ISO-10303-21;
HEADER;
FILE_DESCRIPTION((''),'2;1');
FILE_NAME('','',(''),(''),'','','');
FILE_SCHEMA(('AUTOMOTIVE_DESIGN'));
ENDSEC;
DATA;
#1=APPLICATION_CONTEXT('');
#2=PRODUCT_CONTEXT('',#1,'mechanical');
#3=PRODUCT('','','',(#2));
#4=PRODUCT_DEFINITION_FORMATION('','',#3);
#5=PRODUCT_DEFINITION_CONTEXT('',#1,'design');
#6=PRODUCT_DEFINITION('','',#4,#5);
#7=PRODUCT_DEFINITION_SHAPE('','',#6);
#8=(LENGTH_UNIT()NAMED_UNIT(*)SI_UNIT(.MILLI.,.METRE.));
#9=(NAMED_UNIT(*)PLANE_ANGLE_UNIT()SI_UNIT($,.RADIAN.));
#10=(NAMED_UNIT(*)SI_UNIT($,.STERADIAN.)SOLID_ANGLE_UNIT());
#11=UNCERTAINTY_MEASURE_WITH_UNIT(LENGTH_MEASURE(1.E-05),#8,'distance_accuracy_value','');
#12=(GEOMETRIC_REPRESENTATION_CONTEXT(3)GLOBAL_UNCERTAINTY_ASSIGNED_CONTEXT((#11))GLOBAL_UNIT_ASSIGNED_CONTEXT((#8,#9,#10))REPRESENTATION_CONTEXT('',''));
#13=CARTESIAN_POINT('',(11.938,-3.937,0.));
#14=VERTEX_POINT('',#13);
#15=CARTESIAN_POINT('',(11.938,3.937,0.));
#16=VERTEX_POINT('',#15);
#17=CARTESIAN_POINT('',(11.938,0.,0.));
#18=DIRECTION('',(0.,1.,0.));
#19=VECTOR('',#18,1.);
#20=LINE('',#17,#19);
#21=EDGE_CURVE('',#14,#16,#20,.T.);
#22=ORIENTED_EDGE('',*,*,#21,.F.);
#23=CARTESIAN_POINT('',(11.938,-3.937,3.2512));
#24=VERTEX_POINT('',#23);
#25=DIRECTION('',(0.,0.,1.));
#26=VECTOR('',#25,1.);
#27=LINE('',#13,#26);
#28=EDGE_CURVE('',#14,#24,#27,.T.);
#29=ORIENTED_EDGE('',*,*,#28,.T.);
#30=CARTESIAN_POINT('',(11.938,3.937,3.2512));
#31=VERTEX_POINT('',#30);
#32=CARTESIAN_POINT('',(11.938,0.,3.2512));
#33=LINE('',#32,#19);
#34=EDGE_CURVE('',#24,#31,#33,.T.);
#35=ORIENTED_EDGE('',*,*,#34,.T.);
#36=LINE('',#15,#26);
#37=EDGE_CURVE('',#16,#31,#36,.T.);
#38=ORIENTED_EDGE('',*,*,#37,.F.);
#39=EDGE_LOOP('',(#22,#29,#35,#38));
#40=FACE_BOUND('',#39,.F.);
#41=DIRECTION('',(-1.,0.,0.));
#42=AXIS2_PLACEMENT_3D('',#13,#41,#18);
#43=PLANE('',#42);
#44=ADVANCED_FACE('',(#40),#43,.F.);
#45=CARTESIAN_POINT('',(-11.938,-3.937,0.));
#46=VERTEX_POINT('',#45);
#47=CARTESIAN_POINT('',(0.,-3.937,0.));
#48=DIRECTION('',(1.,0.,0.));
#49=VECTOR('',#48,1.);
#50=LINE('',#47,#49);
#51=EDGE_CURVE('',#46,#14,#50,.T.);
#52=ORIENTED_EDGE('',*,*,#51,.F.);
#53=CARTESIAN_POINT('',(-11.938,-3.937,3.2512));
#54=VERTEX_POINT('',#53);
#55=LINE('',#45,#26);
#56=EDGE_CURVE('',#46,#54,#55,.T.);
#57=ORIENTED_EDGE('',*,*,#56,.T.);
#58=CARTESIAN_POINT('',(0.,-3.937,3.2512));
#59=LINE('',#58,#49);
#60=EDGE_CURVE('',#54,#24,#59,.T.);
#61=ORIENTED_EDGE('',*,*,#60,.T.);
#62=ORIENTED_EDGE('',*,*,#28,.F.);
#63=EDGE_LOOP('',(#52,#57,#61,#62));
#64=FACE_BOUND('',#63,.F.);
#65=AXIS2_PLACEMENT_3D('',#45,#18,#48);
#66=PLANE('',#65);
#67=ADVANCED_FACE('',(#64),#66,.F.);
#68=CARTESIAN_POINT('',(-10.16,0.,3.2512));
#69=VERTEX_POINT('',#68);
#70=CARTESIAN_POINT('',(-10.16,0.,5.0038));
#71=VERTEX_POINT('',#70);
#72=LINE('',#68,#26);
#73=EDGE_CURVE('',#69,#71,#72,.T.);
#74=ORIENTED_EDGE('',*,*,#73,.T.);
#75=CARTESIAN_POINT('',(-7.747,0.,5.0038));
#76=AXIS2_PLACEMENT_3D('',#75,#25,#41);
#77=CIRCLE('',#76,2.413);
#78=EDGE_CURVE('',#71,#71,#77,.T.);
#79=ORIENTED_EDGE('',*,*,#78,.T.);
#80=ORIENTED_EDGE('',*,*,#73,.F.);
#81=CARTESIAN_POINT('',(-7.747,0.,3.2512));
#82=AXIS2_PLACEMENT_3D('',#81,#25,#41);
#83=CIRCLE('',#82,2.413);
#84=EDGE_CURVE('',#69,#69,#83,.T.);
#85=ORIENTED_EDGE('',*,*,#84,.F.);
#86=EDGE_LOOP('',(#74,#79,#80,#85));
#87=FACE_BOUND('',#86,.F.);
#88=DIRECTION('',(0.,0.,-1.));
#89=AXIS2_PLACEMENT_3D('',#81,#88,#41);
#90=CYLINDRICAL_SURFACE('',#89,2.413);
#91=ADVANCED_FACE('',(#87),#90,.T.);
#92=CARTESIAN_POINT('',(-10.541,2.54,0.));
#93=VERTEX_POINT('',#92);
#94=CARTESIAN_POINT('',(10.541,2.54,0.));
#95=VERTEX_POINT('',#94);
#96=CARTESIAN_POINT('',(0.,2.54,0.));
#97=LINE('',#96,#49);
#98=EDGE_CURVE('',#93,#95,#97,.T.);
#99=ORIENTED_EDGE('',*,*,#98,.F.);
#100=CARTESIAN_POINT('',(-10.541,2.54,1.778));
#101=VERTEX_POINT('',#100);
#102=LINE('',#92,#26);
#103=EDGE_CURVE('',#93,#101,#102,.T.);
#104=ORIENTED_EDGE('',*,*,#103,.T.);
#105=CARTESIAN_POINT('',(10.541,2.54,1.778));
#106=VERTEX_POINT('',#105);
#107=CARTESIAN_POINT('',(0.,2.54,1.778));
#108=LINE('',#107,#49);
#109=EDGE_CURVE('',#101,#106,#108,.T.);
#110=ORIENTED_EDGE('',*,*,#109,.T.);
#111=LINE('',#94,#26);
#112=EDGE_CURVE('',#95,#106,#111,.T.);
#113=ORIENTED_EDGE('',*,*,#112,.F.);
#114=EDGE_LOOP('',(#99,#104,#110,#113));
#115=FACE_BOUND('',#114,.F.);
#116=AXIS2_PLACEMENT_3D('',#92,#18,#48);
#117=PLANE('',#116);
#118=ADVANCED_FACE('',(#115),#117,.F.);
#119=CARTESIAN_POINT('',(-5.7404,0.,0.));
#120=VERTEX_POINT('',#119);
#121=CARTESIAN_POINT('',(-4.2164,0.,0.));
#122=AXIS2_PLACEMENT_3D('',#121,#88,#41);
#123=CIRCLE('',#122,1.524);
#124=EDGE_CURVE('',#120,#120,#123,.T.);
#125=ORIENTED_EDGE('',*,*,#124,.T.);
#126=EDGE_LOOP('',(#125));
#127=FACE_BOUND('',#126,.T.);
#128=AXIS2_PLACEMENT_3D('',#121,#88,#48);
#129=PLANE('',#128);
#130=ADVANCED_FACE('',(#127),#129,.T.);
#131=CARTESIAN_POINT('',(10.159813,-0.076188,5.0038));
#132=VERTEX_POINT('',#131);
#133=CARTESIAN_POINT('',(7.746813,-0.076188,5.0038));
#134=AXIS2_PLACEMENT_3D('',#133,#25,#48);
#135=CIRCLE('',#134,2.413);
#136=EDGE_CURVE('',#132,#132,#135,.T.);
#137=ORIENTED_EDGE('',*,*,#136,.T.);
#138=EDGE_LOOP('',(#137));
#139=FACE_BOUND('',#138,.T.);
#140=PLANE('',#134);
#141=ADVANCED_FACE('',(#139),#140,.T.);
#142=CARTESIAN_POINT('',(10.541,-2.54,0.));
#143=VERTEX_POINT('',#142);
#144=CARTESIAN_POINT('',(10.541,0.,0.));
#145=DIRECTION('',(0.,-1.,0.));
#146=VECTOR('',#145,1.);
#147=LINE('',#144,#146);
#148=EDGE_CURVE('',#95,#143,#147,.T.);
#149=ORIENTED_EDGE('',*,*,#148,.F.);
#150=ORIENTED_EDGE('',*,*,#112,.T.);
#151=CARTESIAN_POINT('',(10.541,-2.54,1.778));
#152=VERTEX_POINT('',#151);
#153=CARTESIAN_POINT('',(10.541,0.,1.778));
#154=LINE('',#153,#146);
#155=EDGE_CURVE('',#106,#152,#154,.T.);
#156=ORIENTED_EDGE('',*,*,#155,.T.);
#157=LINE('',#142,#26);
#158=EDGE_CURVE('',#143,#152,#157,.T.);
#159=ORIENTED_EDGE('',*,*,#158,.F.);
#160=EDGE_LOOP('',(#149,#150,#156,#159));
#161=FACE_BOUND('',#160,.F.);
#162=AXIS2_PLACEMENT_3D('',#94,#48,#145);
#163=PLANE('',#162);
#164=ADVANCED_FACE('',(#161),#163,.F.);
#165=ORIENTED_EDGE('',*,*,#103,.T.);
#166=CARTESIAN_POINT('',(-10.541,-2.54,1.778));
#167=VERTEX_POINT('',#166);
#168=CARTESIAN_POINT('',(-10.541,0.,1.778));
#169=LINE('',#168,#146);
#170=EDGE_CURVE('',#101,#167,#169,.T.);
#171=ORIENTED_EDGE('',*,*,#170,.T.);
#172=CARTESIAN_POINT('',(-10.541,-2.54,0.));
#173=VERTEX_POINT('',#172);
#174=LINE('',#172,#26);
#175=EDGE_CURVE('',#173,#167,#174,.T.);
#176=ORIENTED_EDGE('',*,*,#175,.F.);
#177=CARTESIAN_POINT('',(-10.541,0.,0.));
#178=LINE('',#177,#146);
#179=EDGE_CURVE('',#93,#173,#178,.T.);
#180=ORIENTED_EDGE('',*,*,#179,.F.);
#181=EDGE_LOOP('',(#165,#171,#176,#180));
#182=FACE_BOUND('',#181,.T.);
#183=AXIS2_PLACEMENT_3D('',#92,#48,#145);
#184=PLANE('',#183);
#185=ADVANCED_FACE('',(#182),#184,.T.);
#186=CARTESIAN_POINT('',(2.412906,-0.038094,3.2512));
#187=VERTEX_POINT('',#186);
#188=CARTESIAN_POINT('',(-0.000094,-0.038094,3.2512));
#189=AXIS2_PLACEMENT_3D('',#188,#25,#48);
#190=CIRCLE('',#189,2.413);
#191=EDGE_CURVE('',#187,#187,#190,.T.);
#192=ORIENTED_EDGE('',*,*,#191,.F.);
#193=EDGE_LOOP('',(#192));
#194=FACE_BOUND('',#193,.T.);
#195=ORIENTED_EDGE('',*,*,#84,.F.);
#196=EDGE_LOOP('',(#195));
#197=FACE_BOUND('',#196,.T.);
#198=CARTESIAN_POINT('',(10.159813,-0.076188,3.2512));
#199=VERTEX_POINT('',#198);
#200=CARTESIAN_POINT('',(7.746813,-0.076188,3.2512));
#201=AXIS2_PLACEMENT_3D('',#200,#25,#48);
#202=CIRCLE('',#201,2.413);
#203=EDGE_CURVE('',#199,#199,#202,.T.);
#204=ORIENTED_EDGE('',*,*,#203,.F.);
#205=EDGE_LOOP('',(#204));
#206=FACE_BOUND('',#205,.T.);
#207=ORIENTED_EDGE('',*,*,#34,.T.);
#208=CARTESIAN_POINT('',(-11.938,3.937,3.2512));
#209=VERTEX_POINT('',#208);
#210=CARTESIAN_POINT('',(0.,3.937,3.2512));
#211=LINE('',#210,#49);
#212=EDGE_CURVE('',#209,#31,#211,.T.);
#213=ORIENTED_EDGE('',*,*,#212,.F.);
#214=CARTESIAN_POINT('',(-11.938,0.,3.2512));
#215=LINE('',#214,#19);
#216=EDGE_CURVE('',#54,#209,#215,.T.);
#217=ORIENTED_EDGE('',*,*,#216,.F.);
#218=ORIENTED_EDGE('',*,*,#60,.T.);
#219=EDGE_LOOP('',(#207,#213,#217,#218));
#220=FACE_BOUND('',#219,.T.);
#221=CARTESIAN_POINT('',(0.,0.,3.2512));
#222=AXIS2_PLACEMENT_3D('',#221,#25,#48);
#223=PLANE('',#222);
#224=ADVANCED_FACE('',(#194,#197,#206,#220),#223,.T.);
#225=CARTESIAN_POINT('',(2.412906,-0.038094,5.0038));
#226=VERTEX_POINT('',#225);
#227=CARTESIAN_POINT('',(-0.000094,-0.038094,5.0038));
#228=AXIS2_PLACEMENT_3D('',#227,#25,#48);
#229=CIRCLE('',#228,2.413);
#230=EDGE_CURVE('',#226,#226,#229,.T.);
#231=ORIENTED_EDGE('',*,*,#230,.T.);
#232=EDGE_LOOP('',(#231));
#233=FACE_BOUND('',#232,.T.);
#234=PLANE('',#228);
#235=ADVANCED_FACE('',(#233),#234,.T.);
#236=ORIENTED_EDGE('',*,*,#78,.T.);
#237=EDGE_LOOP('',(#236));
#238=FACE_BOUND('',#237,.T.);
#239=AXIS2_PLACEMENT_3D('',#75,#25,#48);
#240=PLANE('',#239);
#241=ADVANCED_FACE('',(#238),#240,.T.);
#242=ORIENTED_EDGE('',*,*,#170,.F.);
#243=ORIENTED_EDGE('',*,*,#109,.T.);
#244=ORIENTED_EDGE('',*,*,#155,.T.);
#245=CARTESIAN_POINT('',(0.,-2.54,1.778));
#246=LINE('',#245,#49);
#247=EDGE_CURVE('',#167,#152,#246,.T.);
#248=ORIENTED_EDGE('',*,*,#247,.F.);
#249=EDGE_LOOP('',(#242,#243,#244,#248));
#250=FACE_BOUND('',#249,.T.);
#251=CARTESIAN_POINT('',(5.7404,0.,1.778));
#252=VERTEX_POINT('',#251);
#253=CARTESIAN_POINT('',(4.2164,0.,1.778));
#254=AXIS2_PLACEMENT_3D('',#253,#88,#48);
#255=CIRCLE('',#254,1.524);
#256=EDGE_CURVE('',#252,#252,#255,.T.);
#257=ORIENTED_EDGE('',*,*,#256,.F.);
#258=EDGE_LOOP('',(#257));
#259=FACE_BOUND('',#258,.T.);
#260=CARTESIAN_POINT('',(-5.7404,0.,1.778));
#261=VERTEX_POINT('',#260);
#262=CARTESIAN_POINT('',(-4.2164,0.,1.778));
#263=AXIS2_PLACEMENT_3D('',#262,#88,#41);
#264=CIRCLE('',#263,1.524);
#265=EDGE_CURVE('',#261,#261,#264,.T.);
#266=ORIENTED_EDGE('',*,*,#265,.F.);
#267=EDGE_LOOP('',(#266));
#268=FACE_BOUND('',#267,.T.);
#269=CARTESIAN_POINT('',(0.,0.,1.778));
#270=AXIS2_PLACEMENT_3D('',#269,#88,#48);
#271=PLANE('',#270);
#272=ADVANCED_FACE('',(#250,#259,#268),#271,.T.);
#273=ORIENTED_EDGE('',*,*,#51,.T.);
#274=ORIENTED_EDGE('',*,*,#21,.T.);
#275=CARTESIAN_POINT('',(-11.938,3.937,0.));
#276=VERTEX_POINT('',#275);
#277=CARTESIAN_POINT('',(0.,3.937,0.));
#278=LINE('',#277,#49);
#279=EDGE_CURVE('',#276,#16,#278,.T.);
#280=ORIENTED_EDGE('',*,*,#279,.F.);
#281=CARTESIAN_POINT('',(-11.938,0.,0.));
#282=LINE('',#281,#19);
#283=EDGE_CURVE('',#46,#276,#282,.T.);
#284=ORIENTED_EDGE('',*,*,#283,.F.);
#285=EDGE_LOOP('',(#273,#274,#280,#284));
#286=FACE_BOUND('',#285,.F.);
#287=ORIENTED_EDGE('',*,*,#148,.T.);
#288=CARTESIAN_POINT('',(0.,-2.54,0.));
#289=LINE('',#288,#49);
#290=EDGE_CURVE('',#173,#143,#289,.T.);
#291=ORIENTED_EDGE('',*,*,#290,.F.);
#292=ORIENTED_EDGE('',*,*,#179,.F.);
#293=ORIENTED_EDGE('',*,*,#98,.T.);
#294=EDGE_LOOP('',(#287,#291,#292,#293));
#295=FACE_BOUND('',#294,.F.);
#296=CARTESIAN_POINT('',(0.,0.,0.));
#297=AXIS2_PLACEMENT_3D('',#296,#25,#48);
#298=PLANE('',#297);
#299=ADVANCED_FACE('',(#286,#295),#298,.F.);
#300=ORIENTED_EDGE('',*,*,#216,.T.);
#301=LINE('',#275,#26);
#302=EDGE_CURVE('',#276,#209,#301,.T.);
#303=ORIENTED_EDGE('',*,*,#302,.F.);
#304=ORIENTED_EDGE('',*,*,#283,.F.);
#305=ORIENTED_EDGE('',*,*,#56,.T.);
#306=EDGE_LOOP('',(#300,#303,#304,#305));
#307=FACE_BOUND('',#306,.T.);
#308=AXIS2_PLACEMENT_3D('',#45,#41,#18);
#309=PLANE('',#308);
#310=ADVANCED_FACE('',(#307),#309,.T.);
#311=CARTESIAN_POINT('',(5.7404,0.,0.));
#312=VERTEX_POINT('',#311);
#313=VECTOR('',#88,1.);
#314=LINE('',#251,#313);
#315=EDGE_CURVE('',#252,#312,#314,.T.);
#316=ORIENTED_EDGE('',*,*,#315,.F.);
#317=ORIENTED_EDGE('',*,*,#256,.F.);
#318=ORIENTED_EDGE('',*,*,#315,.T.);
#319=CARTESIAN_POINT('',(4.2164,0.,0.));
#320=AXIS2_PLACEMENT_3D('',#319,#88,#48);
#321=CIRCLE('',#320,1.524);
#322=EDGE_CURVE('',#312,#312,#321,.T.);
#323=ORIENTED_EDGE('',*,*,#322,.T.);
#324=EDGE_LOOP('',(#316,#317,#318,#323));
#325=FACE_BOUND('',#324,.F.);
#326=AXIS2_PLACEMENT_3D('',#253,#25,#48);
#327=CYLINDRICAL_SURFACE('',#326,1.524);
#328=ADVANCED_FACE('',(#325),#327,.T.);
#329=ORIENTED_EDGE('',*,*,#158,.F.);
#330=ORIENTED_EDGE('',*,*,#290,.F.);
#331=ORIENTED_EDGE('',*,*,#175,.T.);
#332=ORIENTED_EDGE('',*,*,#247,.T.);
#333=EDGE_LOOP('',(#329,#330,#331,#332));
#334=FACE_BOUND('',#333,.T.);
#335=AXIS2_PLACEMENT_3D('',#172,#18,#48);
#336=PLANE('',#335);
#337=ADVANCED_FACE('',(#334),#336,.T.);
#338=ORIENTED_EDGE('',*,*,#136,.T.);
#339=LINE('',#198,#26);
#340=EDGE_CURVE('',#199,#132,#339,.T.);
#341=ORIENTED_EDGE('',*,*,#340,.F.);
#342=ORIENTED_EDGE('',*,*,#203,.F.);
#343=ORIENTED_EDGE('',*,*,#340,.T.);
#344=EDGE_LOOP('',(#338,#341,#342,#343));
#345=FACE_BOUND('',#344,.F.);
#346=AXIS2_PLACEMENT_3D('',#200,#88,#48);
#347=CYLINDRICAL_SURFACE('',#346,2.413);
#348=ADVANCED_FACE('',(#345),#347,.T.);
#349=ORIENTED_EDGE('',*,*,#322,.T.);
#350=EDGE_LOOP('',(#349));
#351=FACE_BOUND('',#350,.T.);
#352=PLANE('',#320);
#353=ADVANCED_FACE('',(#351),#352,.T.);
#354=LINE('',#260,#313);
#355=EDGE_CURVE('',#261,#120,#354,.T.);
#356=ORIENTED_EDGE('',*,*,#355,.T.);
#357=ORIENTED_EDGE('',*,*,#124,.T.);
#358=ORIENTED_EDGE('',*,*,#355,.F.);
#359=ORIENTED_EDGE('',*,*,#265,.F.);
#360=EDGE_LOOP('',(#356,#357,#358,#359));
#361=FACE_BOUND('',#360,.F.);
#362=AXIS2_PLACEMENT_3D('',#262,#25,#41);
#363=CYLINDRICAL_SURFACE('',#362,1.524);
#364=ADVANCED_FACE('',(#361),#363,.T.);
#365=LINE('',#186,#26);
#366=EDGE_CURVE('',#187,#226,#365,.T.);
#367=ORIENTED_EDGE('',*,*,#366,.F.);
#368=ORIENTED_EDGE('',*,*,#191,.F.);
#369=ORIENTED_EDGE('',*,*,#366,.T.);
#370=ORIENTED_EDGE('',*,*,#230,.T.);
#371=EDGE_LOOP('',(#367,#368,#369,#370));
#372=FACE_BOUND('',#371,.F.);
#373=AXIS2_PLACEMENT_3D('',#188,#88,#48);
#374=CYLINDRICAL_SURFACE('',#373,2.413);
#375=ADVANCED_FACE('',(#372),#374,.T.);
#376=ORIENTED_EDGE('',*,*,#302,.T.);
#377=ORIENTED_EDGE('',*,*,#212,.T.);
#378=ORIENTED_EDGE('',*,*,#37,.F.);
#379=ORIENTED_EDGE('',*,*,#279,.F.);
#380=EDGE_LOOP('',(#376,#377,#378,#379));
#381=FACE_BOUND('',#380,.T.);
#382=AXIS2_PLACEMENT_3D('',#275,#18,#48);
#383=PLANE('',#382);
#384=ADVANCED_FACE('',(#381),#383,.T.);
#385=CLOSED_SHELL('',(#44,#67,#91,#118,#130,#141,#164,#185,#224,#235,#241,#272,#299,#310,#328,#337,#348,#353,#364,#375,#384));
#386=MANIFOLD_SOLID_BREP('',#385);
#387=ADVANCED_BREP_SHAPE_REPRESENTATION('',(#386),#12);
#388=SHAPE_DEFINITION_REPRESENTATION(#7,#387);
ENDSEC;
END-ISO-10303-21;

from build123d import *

# Parameters (mm, degrees)
F0_W     = 23.876
F0_H     = 7.874
F1_DEPTH = 3.2512
F2_W     = 21.082
F2_H     = 5.08
F3_DEPTH = 1.778
F4_R     = 2.413
F5_DEPTH = 1.7526
F6_R     = 1.524
F7_DEPTH = 1.778


with BuildPart() as f1:
    # F0 (on Top) → F1 (new body)
    with BuildSketch(Plane.XY):
        Rectangle(F0_W, F0_H)
    extrude(amount=F1_DEPTH)

    # F2 (on face) → F3 (cut)
    with BuildSketch(Plane(origin=(0, 0, 0), x_dir=(1, 0, 0), z_dir=(0, 0, -1))):
        Rectangle(F2_W, F2_H)
    extrude(amount=-F3_DEPTH, mode=Mode.SUBTRACT)

    # F4 (on face) → F5 (join)
    with BuildSketch(Plane.XY.offset(3.2512)):
        with BuildLine():
            ThreePointArc((-5.334, 0), (-7.747, 2.413), (-10.16, 0))
            ThreePointArc((-10.16, 0), (-7.747, -2.413), (-5.334, 0))
        make_face()
        with Locations((-9.4e-05, -0.038094)):
            Circle(F4_R)
        with Locations((7.746813, -0.076188)):
            Circle(F4_R)
    extrude(amount=F5_DEPTH)

    # F6 (on face) → F7 (join)
    with BuildSketch(Plane(origin=(0, 0, 1.778), x_dir=(1, 0, 0), z_dir=(0, 0, -1))):
        with BuildLine():
            ThreePointArc((-2.6924, 0), (-4.2164, 1.524), (-5.7404, 0))
            ThreePointArc((-5.7404, 0), (-4.2164, -1.524), (-2.6924, 0))
        make_face()
        with Locations((4.2164, 0)):
            Circle(F6_R)
    extrude(amount=F7_DEPTH)


solid = f1.part
